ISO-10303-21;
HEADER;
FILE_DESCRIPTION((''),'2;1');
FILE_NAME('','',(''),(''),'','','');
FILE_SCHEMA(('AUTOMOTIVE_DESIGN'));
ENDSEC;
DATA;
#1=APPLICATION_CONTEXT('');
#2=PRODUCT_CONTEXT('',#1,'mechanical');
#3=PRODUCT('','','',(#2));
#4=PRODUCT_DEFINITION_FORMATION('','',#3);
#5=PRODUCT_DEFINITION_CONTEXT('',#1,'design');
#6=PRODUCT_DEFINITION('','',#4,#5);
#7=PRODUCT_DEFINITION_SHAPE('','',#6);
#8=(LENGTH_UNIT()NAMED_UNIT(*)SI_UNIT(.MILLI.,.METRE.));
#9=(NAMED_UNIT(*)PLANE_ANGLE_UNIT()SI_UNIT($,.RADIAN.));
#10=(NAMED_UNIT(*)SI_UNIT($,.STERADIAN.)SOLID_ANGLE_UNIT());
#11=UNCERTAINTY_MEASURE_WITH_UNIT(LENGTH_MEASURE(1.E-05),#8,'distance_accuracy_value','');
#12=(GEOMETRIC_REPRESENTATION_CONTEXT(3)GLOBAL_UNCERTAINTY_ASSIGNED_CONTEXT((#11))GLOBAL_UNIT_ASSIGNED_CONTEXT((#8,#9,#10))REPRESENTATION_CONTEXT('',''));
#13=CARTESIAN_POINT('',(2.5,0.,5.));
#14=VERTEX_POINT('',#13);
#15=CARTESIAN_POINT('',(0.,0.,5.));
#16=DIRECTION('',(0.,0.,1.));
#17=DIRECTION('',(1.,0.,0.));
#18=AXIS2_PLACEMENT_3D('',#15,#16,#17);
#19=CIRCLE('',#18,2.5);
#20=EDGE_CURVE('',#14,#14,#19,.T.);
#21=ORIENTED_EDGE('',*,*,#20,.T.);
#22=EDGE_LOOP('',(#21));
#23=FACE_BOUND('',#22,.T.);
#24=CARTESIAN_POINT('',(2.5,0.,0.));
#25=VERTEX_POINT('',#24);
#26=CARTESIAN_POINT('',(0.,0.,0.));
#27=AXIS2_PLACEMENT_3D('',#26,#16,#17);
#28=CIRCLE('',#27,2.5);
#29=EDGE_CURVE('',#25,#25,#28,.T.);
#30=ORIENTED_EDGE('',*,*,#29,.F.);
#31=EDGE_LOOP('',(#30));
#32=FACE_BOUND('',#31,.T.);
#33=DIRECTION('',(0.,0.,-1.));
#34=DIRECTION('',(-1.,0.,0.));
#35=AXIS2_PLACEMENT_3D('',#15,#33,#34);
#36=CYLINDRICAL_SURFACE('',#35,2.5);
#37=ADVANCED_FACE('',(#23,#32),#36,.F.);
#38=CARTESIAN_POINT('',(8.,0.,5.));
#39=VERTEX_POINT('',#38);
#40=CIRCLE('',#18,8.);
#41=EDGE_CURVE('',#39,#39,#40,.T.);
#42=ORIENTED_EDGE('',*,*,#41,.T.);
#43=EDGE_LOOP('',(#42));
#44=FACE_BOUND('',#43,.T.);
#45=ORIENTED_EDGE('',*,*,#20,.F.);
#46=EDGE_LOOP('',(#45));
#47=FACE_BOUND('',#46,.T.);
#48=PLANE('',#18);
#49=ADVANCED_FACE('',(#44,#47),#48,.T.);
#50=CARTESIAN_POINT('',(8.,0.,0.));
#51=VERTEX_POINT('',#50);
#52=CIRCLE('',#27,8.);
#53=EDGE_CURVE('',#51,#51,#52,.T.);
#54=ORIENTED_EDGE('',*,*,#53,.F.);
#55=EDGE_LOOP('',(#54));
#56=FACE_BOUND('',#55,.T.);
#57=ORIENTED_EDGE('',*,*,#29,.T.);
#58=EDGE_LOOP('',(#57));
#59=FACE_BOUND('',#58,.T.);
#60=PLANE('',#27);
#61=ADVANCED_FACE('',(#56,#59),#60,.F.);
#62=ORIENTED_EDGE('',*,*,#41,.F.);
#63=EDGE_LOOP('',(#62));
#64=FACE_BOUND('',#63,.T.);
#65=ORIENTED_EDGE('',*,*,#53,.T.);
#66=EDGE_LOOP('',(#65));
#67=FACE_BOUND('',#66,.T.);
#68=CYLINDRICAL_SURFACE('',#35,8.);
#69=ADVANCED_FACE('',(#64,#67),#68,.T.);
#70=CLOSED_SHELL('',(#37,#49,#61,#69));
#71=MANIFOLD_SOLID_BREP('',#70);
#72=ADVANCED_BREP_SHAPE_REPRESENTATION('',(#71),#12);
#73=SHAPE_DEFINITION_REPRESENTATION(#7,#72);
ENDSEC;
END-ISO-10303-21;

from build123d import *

# Parameters (mm, degrees)
CROQUIS1_R              = 8
CROQUIS1_R_2            = 2.5
SALIENTE_EXTRUIR1_DEPTH = 5


with BuildPart() as part:
    # Croquis1 → Saliente-Extruir1 (new body)
    with BuildSketch(Plane.XY):
        Circle(CROQUIS1_R)
        Circle(CROQUIS1_R_2, mode=Mode.SUBTRACT)
    extrude(amount=SALIENTE_EXTRUIR1_DEPTH)


solid = part.part
